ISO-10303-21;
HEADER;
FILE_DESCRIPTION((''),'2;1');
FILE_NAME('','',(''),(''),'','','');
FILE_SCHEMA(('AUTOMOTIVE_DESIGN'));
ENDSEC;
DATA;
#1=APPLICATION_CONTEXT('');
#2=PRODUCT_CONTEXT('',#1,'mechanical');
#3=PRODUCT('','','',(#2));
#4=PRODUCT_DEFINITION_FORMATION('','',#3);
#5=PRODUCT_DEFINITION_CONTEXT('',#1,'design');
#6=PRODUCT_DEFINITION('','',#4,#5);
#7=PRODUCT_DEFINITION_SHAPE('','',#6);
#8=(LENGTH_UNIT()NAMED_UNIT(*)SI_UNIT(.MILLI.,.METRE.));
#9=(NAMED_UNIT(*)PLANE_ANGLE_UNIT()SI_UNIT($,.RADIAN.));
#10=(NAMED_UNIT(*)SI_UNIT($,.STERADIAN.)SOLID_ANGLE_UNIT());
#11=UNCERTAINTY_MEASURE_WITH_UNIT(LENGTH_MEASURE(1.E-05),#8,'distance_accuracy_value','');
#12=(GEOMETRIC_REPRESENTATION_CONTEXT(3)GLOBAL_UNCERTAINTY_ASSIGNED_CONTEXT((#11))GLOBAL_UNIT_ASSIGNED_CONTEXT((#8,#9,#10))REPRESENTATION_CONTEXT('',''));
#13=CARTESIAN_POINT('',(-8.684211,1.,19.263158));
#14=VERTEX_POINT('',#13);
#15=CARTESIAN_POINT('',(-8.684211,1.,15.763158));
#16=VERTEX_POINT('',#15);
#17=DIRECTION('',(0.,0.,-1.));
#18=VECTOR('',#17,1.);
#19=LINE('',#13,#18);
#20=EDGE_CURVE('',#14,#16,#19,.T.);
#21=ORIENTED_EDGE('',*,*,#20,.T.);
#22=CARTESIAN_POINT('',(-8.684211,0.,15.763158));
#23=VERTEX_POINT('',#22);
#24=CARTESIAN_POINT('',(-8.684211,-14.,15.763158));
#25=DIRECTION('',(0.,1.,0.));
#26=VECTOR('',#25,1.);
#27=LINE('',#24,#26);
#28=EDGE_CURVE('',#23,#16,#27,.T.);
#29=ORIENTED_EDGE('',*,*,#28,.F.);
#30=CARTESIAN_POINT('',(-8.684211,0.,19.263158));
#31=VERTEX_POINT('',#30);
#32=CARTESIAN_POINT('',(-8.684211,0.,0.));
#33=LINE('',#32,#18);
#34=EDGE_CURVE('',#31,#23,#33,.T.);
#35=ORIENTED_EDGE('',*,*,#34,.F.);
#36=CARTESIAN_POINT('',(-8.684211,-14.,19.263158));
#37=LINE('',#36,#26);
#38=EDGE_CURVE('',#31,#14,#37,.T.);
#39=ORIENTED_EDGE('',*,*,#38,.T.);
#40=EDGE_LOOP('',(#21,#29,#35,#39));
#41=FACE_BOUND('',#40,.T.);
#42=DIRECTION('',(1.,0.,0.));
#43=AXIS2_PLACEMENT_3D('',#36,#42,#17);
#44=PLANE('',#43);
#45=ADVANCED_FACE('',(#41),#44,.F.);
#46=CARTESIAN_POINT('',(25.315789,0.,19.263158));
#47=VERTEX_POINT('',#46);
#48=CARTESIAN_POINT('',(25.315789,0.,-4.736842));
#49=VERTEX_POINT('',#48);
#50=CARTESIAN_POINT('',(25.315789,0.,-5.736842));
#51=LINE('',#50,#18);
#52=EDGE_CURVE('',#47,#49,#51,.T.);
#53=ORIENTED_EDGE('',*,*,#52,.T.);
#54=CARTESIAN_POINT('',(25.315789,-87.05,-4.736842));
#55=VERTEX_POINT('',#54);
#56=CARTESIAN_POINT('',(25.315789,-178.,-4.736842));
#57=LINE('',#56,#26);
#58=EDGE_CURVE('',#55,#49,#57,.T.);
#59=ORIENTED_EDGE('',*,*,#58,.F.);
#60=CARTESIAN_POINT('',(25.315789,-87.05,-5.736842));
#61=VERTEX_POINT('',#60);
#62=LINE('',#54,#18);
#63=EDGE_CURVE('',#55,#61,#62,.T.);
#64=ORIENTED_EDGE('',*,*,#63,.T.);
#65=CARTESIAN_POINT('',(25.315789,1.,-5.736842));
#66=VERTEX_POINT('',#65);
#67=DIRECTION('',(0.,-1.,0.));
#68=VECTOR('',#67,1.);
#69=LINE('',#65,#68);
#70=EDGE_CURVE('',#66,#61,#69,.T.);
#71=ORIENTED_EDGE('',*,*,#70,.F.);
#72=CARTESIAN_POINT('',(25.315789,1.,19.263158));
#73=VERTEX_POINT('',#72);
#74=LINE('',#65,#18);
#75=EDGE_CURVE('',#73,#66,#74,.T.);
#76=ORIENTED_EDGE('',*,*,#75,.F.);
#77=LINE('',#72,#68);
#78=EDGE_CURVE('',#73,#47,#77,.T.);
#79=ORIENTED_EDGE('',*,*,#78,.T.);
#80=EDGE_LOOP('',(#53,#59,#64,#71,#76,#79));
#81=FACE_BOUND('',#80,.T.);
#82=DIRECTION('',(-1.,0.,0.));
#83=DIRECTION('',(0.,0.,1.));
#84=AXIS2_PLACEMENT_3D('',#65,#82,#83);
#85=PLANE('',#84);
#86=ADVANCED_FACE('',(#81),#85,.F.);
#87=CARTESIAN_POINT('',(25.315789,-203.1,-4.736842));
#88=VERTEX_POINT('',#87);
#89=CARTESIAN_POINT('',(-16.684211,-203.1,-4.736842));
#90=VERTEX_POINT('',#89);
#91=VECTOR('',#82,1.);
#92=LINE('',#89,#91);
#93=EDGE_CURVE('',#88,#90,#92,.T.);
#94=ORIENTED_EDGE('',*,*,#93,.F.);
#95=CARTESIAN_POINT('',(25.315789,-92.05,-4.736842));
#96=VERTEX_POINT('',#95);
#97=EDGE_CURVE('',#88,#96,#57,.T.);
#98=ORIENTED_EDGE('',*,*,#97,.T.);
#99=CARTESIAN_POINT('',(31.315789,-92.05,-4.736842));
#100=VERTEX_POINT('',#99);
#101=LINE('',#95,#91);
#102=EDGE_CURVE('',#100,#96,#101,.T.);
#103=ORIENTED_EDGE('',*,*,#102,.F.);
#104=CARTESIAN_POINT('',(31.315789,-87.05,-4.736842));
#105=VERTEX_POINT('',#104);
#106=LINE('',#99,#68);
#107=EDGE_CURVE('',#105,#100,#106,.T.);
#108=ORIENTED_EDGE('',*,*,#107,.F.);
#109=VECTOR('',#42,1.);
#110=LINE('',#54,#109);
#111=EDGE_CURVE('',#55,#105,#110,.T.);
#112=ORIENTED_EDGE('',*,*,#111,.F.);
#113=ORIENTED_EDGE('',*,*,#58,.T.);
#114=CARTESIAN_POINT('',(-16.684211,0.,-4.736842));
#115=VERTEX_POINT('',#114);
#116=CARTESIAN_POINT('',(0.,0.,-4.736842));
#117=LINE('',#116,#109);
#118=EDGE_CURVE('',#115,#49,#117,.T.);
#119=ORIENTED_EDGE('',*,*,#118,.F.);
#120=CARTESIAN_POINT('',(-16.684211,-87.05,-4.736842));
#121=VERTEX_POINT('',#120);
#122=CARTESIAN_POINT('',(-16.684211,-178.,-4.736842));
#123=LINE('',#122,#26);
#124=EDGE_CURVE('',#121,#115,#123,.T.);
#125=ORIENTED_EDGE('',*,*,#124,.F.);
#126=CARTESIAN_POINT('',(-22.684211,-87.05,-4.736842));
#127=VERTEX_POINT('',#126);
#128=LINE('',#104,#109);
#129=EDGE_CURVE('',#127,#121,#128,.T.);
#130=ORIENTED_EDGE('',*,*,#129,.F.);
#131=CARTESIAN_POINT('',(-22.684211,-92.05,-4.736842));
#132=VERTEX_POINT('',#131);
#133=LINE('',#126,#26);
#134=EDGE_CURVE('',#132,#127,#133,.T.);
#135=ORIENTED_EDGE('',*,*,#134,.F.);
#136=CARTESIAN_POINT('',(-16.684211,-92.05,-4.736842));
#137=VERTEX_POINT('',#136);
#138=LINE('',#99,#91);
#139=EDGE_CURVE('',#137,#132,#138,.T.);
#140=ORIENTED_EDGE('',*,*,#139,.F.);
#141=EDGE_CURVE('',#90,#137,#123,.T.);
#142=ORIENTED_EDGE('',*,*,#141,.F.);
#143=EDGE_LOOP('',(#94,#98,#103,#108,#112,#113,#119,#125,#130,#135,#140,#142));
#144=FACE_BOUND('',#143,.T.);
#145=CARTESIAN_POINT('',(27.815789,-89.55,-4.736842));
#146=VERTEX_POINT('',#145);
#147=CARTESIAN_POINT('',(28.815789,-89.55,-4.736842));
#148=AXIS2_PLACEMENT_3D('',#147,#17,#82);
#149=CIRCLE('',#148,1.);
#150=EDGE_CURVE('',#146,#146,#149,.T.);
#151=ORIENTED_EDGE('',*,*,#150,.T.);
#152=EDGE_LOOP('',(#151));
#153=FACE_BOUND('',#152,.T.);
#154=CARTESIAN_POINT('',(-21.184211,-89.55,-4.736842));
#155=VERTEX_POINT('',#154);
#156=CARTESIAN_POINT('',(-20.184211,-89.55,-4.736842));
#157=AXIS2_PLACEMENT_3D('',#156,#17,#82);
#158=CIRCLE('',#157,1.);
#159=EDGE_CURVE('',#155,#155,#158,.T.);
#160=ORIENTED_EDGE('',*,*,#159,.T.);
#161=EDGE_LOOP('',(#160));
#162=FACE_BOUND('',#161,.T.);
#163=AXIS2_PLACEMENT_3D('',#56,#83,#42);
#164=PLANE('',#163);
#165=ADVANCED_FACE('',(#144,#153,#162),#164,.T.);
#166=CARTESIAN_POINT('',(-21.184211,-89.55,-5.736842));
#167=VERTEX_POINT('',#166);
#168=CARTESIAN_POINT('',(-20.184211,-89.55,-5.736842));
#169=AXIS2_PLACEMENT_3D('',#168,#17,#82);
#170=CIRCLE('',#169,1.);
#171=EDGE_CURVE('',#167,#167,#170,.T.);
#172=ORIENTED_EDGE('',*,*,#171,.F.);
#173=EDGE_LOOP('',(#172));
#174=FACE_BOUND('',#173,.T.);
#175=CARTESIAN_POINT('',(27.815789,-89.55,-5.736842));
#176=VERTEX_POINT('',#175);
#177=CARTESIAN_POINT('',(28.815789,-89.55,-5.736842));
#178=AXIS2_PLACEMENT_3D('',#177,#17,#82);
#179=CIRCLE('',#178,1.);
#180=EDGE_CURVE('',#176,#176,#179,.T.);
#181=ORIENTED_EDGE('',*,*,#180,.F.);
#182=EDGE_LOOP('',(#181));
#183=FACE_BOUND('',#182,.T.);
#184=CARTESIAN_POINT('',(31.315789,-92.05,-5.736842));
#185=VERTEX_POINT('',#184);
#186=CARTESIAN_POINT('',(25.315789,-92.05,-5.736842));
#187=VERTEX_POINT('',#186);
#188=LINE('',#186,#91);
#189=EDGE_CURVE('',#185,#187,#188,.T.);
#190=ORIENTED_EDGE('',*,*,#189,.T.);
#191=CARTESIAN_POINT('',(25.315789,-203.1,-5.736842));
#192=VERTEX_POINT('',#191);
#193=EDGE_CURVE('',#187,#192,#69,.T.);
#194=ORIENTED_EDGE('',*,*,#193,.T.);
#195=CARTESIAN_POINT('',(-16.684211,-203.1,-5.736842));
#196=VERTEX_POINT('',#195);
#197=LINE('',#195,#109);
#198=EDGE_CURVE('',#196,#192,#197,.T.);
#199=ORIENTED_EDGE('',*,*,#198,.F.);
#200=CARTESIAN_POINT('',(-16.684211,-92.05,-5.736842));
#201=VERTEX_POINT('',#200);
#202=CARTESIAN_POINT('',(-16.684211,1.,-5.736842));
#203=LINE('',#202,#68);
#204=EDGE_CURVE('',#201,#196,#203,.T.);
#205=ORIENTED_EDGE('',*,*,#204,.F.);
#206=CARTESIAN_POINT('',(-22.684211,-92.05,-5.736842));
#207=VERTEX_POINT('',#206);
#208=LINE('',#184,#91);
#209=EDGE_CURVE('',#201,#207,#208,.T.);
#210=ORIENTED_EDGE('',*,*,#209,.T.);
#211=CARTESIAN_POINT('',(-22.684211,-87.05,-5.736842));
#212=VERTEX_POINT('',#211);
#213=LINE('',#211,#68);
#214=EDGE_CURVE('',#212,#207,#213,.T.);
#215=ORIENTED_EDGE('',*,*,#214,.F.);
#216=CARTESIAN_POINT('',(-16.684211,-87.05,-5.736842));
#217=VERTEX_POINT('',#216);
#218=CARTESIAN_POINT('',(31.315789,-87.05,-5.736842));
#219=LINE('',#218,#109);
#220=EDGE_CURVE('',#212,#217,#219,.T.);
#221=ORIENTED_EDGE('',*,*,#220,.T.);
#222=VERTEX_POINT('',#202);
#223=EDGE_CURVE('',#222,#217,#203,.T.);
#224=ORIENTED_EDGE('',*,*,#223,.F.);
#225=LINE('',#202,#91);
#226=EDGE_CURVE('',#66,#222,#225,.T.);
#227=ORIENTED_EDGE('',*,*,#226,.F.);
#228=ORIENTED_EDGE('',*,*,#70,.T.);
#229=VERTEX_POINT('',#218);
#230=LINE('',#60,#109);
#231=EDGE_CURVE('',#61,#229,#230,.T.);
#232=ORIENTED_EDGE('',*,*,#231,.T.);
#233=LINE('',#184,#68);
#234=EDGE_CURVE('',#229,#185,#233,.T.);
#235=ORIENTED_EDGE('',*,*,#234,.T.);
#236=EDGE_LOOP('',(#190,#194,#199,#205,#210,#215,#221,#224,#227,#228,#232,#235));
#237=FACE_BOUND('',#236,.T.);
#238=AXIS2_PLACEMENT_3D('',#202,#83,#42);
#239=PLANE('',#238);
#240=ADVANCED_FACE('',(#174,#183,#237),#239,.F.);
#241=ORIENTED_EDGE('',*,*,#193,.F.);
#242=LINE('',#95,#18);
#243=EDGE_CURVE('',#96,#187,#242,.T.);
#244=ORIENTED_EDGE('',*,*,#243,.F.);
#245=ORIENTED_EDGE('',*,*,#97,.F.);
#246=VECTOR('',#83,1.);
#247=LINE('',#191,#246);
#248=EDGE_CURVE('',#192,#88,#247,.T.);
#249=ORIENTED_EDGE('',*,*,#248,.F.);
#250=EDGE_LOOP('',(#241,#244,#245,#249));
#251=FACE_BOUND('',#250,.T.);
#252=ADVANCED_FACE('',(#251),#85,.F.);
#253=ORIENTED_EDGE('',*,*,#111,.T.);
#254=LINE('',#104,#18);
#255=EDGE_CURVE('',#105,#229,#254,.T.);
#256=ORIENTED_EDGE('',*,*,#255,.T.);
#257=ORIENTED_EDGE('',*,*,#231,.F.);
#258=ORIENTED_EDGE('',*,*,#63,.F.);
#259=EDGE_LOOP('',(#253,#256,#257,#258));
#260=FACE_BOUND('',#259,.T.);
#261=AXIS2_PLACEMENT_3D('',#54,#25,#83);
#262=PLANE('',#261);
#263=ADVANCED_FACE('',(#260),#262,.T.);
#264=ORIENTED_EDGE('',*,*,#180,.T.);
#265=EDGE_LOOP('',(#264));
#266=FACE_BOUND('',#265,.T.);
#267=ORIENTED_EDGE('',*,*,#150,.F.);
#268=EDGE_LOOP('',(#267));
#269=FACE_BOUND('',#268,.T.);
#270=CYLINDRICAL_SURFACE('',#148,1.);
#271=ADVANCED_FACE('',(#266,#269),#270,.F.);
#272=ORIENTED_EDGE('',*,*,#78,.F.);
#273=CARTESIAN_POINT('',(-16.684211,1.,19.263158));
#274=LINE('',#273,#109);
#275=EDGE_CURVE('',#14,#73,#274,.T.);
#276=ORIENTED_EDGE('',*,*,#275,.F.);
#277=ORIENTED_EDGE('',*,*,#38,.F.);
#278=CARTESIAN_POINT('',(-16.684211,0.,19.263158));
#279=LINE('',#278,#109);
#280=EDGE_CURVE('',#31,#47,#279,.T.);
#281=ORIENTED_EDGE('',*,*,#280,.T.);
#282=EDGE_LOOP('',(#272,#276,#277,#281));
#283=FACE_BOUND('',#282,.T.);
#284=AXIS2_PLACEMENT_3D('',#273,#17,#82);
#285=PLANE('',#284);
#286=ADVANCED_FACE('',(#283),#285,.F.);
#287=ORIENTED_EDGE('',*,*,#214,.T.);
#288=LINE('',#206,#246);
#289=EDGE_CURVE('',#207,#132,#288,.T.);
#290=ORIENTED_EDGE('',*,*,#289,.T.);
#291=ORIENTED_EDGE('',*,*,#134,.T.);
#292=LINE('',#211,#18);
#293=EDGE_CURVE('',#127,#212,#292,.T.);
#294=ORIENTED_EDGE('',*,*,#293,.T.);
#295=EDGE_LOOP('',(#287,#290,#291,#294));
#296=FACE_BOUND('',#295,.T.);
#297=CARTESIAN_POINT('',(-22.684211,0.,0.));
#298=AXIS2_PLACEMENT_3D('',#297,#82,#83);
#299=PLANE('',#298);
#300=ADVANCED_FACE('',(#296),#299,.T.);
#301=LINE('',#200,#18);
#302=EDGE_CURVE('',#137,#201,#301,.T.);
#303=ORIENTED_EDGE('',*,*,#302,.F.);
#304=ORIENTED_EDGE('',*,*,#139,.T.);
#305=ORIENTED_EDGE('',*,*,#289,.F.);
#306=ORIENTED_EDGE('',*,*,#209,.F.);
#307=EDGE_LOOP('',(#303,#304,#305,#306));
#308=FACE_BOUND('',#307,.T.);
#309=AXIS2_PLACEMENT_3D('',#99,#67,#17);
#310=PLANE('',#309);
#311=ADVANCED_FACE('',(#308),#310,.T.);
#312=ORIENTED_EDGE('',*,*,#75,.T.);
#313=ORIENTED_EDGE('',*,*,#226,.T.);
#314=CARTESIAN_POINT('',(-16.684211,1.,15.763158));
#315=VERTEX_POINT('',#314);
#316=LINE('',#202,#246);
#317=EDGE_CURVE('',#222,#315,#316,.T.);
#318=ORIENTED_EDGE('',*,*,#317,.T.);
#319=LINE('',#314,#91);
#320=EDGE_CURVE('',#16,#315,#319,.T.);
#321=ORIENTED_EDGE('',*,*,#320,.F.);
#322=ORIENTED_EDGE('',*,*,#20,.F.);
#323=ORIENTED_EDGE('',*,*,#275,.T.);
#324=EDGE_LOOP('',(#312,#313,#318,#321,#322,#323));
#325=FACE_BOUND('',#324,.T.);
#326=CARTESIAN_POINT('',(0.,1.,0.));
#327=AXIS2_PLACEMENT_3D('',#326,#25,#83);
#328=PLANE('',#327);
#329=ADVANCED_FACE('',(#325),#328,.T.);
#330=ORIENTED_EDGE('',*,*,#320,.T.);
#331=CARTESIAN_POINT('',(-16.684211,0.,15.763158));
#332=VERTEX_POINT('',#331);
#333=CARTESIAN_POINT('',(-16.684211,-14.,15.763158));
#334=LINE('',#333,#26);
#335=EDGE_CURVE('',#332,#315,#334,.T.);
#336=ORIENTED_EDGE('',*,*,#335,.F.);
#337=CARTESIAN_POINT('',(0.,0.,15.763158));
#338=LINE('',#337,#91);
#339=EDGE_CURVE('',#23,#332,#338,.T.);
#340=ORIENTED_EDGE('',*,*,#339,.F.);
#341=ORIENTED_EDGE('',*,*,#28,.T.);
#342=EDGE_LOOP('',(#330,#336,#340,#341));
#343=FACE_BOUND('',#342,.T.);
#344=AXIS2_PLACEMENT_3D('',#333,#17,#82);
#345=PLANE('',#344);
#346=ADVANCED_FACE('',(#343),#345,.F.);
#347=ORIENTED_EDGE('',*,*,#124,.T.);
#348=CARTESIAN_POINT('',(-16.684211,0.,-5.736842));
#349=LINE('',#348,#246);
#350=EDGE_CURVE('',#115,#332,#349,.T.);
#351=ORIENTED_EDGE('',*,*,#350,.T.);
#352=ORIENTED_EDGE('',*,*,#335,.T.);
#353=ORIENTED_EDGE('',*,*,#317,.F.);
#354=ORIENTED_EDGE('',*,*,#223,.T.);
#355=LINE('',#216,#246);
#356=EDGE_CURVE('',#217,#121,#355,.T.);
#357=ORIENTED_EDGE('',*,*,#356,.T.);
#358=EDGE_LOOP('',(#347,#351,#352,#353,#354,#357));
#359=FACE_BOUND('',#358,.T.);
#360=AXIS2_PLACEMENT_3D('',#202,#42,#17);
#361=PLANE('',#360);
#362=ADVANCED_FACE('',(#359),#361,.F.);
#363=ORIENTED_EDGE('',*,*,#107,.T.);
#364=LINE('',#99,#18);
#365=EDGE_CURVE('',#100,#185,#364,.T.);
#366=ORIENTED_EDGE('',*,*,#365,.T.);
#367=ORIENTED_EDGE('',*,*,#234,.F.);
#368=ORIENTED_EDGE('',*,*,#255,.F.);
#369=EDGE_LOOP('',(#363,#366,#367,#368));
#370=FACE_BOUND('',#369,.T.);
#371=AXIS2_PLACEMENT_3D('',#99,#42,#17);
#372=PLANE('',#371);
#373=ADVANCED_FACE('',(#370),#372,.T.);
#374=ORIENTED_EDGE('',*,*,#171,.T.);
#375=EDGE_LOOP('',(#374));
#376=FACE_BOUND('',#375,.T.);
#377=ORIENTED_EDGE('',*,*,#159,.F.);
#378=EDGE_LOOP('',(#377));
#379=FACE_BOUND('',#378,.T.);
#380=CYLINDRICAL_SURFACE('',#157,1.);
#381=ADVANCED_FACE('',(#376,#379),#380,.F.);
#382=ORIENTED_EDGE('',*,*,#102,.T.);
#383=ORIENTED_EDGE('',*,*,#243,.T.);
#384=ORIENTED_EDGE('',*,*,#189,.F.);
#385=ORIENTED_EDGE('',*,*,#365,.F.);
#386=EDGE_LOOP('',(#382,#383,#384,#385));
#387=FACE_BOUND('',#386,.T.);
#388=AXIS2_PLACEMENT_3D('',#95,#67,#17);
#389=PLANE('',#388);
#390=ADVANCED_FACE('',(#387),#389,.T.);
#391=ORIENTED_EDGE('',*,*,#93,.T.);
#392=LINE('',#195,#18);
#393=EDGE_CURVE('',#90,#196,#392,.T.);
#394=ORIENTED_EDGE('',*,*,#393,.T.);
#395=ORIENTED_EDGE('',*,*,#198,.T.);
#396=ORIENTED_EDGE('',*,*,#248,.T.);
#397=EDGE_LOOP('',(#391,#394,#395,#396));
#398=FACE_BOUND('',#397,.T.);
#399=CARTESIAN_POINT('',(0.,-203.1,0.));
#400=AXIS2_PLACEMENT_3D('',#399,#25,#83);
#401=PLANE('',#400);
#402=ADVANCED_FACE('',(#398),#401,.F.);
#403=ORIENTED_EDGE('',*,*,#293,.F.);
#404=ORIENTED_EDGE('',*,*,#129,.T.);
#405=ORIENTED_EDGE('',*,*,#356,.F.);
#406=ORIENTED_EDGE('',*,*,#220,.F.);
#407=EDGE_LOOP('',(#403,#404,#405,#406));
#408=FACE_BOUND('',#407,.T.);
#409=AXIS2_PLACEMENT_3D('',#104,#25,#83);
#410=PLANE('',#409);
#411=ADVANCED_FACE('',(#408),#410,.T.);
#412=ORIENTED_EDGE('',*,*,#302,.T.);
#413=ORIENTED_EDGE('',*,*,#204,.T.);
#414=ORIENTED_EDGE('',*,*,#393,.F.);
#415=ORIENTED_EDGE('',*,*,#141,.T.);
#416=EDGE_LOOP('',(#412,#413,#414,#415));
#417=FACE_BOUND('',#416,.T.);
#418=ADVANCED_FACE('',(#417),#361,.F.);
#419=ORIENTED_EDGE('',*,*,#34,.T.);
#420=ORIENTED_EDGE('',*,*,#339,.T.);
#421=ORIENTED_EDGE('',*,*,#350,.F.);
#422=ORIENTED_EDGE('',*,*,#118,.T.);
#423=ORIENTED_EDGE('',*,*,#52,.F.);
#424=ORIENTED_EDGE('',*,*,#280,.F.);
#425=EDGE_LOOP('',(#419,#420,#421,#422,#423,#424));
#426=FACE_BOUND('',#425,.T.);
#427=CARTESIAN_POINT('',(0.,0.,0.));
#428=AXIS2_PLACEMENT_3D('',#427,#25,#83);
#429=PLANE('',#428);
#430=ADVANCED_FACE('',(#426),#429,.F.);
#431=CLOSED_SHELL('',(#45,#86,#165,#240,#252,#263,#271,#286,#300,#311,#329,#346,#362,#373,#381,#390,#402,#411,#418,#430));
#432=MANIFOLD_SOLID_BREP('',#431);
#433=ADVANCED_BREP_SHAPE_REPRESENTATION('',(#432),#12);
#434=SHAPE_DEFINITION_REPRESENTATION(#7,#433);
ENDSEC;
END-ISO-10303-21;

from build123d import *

# Parameters (mm, degrees)
SKETCH1_W            = 42
SKETCH1_H            = 25
BOSS_EXTRUDE1_DEPTH  = 1
SKETCH2_W            = 42
SKETCH2_H            = 1
BOSS_EXTRUDE2_DEPTH  = 179
SKETCH3_W            = 42
SKETCH3_H            = 1
BOSS_EXTRUDE3_DEPTH  = 2.1
SKETCH4_W            = 42
SKETCH4_H            = 1
BOSS_EXTRUDE4_DEPTH  = 15
SKETCH6_R            = 1.25
CUT_EXTRUDE1_DEPTH   = 15
SKETCH7_W            = 42
SKETCH7_H            = 1.67
CUT_EXTRUDE2_DEPTH   = 15
SKETCH8_W            = 8
SKETCH8_H            = 3.5
CUT_EXTRUDE3_DEPTH   = 15
SKETCH9_W            = 42
SKETCH9_H            = 14.33
CUT_EXTRUDE4_DEPTH   = 10
SKETCH10_W           = 5
SKETCH10_H           = 6
BOSS_EXTRUDE5_DEPTH  = 1
SKETCH11_R           = 1
CUT_EXTRUDE5_DEPTH   = 1
SKETCH12_W           = 42
SKETCH12_H           = 1
BOSS_EXTRUDE6_DEPTH  = 9
SKETCH13_W           = 5
SKETCH13_H           = 6
BOSS_EXTRUDE8_DEPTH  = 1
SKETCH15_R           = 1
CUT_EXTRUDE7_DEPTH   = 1
SKETCH16_W           = 6
SKETCH16_H           = 5
BOSS_EXTRUDE9_DEPTH  = 1
SKETCH17_W           = 53
SKETCH17_H           = 5
BOSS_EXTRUDE10_DEPTH = 1
SKETCH18_R           = 1
CUT_EXTRUDE8_DEPTH   = 1
SKETCH20_W           = 1
SKETCH20_H           = 5
BOSS_EXTRUDE11_DEPTH = 1
SKETCH21_R           = 1
CUT_EXTRUDE9_DEPTH   = 1
SKETCH22_W           = 42
SKETCH22_H           = 1
BOSS_EXTRUDE13_DEPTH = 24


with BuildPart() as part:
    # Sketch1 → Boss-Extrude1 (new body)
    with BuildSketch(Plane(origin=(0, 0, 0), x_dir=(1, 0, 0), z_dir=(0, 1, 0))):
        with Locations((4.315789474, -6.763157895)):
            Rectangle(SKETCH1_W, SKETCH1_H)
    extrude(amount=BOSS_EXTRUDE1_DEPTH)

    # Sketch2 → Boss-Extrude2 (add)
    with BuildSketch(Plane(origin=(0, 1, 0), x_dir=(1, 0, 0), z_dir=(0, 1, 0))):
        with Locations((4.315789474, 5.236842105)):
            Rectangle(SKETCH2_W, SKETCH2_H)
    extrude(amount=-BOSS_EXTRUDE2_DEPTH)

    # Sketch3 → Boss-Extrude3 (add)
    with BuildSketch(Plane.XZ.offset(178)):
        with Locations((4.315789474, -5.236842105)):
            Rectangle(SKETCH3_W, SKETCH3_H)
    extrude(amount=BOSS_EXTRUDE3_DEPTH)

    # Sketch4 → Boss-Extrude4 (add)
    with BuildSketch(Plane.XY.offset(-4.736842105)):
        with Locations((4.315789474, -179.6)):
            Rectangle(SKETCH4_W, SKETCH4_H)
    extrude(amount=BOSS_EXTRUDE4_DEPTH)

    # Sketch6 → Cut-Extrude1 (cut)
    with BuildSketch(Plane.XZ.offset(180.1)):
        with Locations((-6.684210526, 3.593157895)):
            Circle(SKETCH6_R)
        with Locations((15.315789474, 3.593157895)):
            Circle(SKETCH6_R)
    extrude(amount=-CUT_EXTRUDE1_DEPTH, mode=Mode.SUBTRACT)

    # Sketch7 → Cut-Extrude2 (cut)
    with BuildSketch(Plane.XZ.offset(180.1)):
        with Locations((4.315789474, 9.428157895)):
            Rectangle(SKETCH7_W, SKETCH7_H)
    extrude(amount=-CUT_EXTRUDE2_DEPTH, mode=Mode.SUBTRACT)

    # Sketch8 → Cut-Extrude3 (cut)
    with BuildSketch(Plane(origin=(0, 1, 0), x_dir=(1, 0, 0), z_dir=(0, 1, 0))):
        with Locations((-12.684210526, -17.513157895)):
            Rectangle(SKETCH8_W, SKETCH8_H)
    extrude(amount=-CUT_EXTRUDE3_DEPTH, mode=Mode.SUBTRACT)

    # Sketch9 → Cut-Extrude4 (cut)
    with BuildSketch(Plane.XZ.offset(180.1)):
        with Locations((4.315789474, 1.428157895)):
            Rectangle(SKETCH9_W, SKETCH9_H)
    extrude(amount=-CUT_EXTRUDE4_DEPTH, mode=Mode.SUBTRACT)

    # Sketch10 → Boss-Extrude5 (add)
    with BuildSketch(Plane(origin=(0, 0, -5.736842105), x_dir=(-1, 0, 0), z_dir=(0, 0, -1))):
        with Locations((-4.315789474, -173.1)):
            Rectangle(SKETCH10_W, SKETCH10_H)
    extrude(amount=-BOSS_EXTRUDE5_DEPTH)

    # Sketch11 → Cut-Extrude5 (cut)
    with BuildSketch(Plane(origin=(0, 0, -5.736842105), x_dir=(-1, 0, 0), z_dir=(0, 0, -1))):
        with Locations((-4.315789474, -173.6)):
            Circle(SKETCH11_R)
    extrude(amount=-CUT_EXTRUDE5_DEPTH, mode=Mode.SUBTRACT)

    # Sketch12 → Boss-Extrude6 (add)
    with BuildSketch(Plane.XZ.offset(170.1)):
        with Locations((4.315789474, -5.236842105)):
            Rectangle(SKETCH12_W, SKETCH12_H)
    extrude(amount=BOSS_EXTRUDE6_DEPTH)

    # Sketch13 → Boss-Extrude8 (add)
    with BuildSketch(Plane(origin=(0, 0, -5.736842105), x_dir=(-1, 0, 0), z_dir=(0, 0, -1))):
        with Locations((-4.315789474, -182.1)):
            Rectangle(SKETCH13_W, SKETCH13_H)
    extrude(amount=-BOSS_EXTRUDE8_DEPTH)

    # Sketch15 → Cut-Extrude7 (cut)
    with BuildSketch(Plane(origin=(0, 0, -5.736842105), x_dir=(-1, 0, 0), z_dir=(0, 0, -1))):
        with Locations((-4.315789474, -182.6)):
            Circle(SKETCH15_R)
    extrude(amount=-CUT_EXTRUDE7_DEPTH, mode=Mode.SUBTRACT)

    # Sketch16 → Boss-Extrude9 (add)
    with BuildSketch(Plane(origin=(0, 0, -5.736842105), x_dir=(-1, 0, 0), z_dir=(0, 0, -1))):
        with Locations((-28.315789474, -89.55)):
            Rectangle(SKETCH16_W, SKETCH16_H)
    extrude(amount=-BOSS_EXTRUDE9_DEPTH)

    # Sketch17 → Boss-Extrude10 (add)
    with BuildSketch(Plane(origin=(0, 0, -5.736842105), x_dir=(-1, 0, 0), z_dir=(0, 0, -1))):
        with Locations((-4.815789474, -89.55)):
            Rectangle(SKETCH17_W, SKETCH17_H)
    extrude(amount=-BOSS_EXTRUDE10_DEPTH)

    # Sketch18 → Cut-Extrude8 (cut)
    with BuildSketch(Plane(origin=(0, 0, -5.736842105), x_dir=(-1, 0, 0), z_dir=(0, 0, -1))):
        with Locations((-28.815789474, -89.55)):
            Circle(SKETCH18_R)
    extrude(amount=-CUT_EXTRUDE8_DEPTH, mode=Mode.SUBTRACT)

    # Sketch20 → Boss-Extrude11 (add)
    with BuildSketch(Plane.ZY.offset(21.684210526)):
        with Locations((-5.236842105, -89.55)):
            Rectangle(SKETCH20_W, SKETCH20_H)
    extrude(amount=BOSS_EXTRUDE11_DEPTH)

    # Sketch21 → Cut-Extrude9 (cut)
    with BuildSketch(Plane(origin=(0, 0, -5.736842105), x_dir=(-1, 0, 0), z_dir=(0, 0, -1))):
        with Locations((20.184210526, -89.55)):
            Circle(SKETCH21_R)
    extrude(amount=-CUT_EXTRUDE9_DEPTH, mode=Mode.SUBTRACT)

    # Sketch22 → Boss-Extrude13 (add)
    with BuildSketch(Plane.XZ.offset(179.1)):
        with Locations((4.315789474, -5.236842105)):
            Rectangle(SKETCH22_W, SKETCH22_H)
    extrude(amount=BOSS_EXTRUDE13_DEPTH)


solid = part.part
